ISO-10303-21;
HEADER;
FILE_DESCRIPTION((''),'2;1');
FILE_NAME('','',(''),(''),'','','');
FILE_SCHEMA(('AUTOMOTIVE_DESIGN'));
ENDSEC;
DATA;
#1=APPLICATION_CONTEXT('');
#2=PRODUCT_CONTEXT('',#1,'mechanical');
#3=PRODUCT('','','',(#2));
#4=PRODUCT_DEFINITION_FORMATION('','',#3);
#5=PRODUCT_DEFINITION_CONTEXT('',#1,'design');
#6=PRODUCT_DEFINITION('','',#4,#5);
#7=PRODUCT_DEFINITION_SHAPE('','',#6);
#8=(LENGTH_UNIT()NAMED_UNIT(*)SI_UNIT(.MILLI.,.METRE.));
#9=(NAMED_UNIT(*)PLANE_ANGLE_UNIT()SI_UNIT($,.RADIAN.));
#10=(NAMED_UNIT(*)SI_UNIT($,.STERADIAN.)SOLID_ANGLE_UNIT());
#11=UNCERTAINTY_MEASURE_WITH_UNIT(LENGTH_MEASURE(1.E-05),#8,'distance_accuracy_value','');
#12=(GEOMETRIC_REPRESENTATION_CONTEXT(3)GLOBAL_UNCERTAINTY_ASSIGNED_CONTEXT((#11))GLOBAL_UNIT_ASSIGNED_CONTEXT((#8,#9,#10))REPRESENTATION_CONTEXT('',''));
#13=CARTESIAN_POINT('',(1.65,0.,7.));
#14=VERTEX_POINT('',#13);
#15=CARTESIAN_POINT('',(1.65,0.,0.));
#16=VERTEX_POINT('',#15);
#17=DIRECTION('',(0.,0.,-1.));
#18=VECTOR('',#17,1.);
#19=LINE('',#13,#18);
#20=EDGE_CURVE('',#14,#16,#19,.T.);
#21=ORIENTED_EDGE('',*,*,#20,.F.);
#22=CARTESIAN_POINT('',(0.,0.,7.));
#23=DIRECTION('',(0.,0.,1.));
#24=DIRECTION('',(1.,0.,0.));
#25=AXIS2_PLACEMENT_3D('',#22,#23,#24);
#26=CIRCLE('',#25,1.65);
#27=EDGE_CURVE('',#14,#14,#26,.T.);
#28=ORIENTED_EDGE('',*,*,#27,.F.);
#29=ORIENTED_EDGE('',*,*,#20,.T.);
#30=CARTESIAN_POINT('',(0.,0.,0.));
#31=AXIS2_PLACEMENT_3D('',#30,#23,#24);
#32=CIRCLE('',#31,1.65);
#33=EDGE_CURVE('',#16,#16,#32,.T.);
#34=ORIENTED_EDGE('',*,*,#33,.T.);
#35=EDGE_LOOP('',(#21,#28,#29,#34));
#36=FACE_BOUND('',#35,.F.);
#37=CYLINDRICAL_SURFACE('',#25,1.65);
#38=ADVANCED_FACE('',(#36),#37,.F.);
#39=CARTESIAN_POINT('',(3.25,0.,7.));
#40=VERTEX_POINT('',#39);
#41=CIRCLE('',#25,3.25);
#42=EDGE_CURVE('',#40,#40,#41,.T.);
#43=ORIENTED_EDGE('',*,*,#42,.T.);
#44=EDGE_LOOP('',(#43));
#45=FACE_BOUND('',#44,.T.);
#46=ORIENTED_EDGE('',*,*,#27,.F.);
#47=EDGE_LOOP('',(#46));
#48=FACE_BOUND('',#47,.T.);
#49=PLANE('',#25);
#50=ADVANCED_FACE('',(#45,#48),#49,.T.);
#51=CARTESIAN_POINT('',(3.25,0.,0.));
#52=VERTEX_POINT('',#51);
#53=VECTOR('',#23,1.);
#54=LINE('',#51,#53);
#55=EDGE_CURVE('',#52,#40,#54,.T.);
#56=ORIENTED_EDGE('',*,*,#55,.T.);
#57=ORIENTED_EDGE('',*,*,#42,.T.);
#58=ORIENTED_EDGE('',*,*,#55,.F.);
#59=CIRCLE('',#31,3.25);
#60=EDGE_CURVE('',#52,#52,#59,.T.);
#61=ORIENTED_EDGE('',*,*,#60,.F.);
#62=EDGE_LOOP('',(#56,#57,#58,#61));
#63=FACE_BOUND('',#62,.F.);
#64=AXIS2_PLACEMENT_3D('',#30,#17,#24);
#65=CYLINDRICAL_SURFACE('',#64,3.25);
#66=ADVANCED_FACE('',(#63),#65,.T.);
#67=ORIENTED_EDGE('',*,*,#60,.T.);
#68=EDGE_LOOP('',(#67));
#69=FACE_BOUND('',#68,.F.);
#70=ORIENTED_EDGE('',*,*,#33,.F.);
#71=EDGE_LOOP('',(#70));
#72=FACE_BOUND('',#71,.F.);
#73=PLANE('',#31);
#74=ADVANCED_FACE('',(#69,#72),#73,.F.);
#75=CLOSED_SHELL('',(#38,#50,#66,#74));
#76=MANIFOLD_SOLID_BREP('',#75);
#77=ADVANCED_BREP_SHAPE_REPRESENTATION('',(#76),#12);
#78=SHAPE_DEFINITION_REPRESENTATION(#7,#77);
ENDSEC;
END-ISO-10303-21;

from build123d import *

# Parameters (mm, degrees)
SKETCH_R     = 3.25
PAD_DEPTH    = 7
SKETCH001_R  = 1.65
POCKET_DEPTH = 10


with BuildPart() as part:
    # Sketch → Pad (new body)
    with BuildSketch(Plane.XY):
        Circle(SKETCH_R)
    extrude(amount=PAD_DEPTH)

    # Sketch001 (on Face3 of Pad) → Pocket (cut)
    with BuildSketch(Plane.XY.offset(7)):
        Circle(SKETCH001_R)
    extrude(amount=-POCKET_DEPTH, mode=Mode.SUBTRACT)


solid = part.part
